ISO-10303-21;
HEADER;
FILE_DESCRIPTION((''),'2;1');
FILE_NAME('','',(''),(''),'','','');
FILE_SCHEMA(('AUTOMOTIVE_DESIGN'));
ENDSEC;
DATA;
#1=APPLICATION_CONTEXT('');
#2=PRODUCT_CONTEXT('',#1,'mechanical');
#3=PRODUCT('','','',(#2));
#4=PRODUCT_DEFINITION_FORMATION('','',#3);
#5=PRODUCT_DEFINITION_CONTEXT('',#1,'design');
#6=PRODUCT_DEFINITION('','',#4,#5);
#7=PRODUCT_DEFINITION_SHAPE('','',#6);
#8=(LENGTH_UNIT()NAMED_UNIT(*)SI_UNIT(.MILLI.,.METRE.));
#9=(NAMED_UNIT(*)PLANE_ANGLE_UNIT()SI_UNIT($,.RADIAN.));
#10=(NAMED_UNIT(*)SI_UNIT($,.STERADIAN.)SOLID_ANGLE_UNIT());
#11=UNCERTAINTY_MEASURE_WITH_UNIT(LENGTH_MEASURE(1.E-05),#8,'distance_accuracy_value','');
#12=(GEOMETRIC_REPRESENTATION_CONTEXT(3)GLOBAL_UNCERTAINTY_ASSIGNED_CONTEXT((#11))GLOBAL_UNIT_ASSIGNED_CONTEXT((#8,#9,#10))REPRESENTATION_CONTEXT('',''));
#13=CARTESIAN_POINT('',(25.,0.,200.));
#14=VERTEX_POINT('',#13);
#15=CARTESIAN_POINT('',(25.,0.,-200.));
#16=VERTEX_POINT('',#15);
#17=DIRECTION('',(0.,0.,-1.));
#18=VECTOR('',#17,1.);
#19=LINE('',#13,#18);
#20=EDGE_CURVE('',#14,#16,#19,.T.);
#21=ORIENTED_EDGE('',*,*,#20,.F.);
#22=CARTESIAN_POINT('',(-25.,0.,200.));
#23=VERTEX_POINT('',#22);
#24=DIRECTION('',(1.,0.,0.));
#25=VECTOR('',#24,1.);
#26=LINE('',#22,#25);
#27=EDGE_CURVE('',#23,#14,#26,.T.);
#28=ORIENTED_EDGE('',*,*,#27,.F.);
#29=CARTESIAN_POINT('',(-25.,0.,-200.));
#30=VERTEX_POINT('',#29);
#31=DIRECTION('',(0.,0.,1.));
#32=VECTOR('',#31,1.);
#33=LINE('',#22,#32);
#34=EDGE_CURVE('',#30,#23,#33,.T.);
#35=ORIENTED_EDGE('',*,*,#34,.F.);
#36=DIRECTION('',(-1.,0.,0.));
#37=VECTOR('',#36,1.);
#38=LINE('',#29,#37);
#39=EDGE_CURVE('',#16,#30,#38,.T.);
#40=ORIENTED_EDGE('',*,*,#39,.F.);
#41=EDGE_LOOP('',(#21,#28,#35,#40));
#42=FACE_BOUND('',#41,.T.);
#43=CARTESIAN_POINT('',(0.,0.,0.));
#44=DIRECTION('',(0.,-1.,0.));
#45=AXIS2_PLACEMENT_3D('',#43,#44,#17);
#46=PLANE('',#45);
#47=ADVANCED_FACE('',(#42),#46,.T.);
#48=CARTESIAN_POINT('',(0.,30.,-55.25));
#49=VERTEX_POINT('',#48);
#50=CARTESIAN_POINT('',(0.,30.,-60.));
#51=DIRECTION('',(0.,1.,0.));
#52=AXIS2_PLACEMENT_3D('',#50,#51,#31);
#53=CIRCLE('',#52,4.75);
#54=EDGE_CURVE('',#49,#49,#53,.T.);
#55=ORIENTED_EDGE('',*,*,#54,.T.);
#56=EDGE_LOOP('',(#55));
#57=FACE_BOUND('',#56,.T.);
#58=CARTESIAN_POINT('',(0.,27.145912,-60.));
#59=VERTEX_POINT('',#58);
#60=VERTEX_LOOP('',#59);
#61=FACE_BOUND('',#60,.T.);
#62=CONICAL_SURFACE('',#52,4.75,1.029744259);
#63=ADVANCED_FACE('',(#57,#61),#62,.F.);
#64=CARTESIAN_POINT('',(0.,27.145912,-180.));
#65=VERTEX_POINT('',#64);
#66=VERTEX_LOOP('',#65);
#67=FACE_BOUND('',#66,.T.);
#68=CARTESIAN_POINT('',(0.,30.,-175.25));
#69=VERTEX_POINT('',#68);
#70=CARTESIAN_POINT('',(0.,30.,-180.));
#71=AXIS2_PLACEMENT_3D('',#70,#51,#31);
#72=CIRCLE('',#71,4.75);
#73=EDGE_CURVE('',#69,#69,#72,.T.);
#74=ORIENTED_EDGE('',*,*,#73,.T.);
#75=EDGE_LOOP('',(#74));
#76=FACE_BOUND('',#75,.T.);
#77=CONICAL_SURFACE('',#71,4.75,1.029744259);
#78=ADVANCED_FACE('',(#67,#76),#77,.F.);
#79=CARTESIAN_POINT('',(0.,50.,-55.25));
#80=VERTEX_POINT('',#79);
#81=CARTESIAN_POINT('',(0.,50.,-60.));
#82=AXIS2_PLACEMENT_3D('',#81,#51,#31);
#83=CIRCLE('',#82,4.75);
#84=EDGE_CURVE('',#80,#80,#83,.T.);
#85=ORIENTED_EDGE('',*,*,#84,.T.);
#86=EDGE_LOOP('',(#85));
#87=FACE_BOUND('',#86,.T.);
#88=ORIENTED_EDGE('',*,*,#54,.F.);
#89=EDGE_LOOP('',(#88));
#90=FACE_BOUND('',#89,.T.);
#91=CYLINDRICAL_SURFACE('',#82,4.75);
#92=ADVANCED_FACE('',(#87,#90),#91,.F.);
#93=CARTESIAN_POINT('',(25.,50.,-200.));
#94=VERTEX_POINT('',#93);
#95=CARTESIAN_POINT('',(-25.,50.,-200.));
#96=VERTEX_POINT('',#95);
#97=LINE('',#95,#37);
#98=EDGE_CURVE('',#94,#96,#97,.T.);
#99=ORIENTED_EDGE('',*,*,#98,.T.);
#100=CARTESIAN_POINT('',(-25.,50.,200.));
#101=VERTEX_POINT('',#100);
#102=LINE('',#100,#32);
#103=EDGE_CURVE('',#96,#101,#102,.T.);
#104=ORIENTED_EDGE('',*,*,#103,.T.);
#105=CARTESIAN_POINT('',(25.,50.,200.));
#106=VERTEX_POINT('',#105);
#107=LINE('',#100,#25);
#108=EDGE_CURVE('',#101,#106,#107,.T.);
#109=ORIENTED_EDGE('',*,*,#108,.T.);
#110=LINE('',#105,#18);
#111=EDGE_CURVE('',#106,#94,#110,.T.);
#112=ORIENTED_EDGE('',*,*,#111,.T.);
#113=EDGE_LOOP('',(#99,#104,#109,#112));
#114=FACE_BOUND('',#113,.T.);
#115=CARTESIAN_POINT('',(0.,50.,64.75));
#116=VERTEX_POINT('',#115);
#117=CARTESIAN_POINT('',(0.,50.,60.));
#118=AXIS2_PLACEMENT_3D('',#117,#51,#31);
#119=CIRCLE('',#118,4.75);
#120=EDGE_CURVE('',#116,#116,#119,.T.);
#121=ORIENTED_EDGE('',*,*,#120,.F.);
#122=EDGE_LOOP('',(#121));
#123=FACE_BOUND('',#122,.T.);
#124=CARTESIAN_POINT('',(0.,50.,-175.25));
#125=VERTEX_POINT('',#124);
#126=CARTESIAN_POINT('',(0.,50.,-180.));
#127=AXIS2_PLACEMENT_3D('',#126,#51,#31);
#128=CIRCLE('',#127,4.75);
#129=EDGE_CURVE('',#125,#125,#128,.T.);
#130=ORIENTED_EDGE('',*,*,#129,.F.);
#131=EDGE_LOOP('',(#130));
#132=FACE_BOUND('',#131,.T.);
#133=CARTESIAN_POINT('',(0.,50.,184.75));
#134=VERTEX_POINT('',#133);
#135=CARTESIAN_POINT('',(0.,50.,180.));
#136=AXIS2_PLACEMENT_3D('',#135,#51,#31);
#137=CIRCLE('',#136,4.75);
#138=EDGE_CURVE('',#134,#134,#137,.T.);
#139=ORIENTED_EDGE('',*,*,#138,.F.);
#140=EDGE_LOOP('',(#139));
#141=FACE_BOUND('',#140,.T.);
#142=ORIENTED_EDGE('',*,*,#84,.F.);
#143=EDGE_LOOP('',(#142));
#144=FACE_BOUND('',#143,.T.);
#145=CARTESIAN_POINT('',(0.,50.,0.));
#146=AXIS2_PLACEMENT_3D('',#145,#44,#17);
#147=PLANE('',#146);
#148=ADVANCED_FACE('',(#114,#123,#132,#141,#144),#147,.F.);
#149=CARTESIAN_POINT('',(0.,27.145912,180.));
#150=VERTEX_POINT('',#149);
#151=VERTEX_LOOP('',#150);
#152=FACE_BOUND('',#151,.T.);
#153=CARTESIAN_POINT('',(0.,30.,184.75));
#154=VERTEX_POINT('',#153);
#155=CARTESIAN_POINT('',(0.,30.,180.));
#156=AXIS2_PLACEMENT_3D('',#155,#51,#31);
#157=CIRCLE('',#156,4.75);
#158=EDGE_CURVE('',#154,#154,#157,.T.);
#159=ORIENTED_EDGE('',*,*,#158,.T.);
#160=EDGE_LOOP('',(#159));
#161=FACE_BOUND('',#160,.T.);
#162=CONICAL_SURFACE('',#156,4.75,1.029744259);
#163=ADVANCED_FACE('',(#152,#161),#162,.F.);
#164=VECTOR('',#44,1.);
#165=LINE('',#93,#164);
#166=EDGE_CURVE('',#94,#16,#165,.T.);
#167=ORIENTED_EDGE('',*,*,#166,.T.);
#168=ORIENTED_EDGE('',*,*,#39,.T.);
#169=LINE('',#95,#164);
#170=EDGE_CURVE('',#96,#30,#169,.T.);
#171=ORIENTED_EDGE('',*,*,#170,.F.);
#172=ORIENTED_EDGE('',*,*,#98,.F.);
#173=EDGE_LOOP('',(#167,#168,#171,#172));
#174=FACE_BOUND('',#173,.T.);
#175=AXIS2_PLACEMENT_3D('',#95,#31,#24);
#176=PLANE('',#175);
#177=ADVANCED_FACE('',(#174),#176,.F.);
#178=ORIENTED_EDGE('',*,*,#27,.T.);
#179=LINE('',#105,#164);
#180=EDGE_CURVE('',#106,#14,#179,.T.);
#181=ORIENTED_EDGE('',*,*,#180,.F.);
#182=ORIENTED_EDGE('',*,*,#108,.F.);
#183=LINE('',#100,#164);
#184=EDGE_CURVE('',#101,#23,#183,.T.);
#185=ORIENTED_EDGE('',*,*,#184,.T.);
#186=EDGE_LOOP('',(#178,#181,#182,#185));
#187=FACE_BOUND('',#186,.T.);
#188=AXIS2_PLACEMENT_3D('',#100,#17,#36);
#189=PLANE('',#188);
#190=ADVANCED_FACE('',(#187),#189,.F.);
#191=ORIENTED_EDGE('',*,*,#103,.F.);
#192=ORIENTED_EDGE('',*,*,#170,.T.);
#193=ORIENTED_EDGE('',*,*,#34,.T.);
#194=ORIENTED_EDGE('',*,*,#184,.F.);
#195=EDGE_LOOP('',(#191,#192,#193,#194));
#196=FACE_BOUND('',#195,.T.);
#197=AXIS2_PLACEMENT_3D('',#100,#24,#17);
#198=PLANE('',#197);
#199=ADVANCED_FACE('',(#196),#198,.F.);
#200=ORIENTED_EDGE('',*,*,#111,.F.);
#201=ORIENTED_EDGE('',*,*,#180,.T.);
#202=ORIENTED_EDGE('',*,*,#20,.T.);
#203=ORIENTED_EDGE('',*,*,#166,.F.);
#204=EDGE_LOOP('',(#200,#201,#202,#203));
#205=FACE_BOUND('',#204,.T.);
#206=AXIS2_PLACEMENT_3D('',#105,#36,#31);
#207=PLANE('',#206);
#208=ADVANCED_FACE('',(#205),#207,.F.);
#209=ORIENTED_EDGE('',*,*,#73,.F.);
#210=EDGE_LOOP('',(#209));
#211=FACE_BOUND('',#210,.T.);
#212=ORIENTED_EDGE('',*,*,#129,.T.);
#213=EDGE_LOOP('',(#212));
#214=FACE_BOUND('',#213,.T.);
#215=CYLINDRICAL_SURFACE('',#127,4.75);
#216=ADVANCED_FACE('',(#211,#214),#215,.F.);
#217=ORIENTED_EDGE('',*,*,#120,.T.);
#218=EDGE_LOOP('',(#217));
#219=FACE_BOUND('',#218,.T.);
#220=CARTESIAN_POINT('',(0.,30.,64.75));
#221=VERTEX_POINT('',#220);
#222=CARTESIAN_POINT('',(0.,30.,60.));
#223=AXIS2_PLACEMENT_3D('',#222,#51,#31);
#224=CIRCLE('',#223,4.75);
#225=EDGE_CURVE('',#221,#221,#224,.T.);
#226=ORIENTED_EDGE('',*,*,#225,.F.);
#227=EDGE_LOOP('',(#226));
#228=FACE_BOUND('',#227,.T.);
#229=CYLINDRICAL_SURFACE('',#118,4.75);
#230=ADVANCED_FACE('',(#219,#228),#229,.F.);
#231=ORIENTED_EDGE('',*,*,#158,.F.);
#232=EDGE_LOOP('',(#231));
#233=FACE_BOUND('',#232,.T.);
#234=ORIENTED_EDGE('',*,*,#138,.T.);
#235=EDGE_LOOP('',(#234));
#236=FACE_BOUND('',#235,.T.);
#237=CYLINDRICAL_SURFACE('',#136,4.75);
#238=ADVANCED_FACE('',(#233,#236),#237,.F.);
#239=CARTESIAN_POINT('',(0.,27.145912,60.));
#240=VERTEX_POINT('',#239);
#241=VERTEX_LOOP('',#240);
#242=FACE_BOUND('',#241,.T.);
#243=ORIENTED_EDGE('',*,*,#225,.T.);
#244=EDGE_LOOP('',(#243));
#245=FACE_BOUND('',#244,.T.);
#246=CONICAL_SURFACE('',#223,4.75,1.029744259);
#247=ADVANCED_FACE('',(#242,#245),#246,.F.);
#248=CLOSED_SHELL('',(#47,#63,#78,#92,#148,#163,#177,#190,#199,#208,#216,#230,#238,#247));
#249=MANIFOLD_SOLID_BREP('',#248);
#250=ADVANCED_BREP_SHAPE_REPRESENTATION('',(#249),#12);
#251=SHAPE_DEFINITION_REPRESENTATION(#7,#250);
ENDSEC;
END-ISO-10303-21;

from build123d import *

# Parameters (mm, degrees)
SKIZZE1_W                       = 50
SKIZZE1_H                       = 400
AUFSATZ_LINEAR_AUSTRAGEN1_DEPTH = 50
LINEARES_MUSTER1_COUNT          = 4
LINEARES_MUSTER1_PITCH          = 120


with BuildPart() as part:
    # Skizze1 → Aufsatz-Linear austragen1 (new body)
    with BuildSketch(Plane(origin=(0, 0, 0), x_dir=(1, 0, 0), z_dir=(0, 1, 0))):
        Rectangle(SKIZZE1_W, SKIZZE1_H)
    extrude(amount=AUFSATZ_LINEAR_AUSTRAGEN1_DEPTH)

    # Skizze2 → Ø9.5 (9.5) Durchmesser Bohrung1 (revolve, cut)
    with BuildSketch(Plane(origin=(0, 50, 180), x_dir=(0, 0, 1), z_dir=(1, 0, 0))):
        Polygon((0, 0), (0, 22.85408794), (4.75, 20), (4.75, 0), align=None)
    f_9_5_9_5_durchmesser_bohrung1 = revolve(axis=Axis((0, 56.35, 180), (0, -1, 0)), mode=Mode.SUBTRACT)

    # Lineares Muster1: Ø9.5 (9.5) Durchmesser Bohrung1 ×4
    with Locations(*[(0, 0, -i * LINEARES_MUSTER1_PITCH) for i in range(1, LINEARES_MUSTER1_COUNT)]):
        add(f_9_5_9_5_durchmesser_bohrung1, mode=Mode.SUBTRACT)


solid = part.part
